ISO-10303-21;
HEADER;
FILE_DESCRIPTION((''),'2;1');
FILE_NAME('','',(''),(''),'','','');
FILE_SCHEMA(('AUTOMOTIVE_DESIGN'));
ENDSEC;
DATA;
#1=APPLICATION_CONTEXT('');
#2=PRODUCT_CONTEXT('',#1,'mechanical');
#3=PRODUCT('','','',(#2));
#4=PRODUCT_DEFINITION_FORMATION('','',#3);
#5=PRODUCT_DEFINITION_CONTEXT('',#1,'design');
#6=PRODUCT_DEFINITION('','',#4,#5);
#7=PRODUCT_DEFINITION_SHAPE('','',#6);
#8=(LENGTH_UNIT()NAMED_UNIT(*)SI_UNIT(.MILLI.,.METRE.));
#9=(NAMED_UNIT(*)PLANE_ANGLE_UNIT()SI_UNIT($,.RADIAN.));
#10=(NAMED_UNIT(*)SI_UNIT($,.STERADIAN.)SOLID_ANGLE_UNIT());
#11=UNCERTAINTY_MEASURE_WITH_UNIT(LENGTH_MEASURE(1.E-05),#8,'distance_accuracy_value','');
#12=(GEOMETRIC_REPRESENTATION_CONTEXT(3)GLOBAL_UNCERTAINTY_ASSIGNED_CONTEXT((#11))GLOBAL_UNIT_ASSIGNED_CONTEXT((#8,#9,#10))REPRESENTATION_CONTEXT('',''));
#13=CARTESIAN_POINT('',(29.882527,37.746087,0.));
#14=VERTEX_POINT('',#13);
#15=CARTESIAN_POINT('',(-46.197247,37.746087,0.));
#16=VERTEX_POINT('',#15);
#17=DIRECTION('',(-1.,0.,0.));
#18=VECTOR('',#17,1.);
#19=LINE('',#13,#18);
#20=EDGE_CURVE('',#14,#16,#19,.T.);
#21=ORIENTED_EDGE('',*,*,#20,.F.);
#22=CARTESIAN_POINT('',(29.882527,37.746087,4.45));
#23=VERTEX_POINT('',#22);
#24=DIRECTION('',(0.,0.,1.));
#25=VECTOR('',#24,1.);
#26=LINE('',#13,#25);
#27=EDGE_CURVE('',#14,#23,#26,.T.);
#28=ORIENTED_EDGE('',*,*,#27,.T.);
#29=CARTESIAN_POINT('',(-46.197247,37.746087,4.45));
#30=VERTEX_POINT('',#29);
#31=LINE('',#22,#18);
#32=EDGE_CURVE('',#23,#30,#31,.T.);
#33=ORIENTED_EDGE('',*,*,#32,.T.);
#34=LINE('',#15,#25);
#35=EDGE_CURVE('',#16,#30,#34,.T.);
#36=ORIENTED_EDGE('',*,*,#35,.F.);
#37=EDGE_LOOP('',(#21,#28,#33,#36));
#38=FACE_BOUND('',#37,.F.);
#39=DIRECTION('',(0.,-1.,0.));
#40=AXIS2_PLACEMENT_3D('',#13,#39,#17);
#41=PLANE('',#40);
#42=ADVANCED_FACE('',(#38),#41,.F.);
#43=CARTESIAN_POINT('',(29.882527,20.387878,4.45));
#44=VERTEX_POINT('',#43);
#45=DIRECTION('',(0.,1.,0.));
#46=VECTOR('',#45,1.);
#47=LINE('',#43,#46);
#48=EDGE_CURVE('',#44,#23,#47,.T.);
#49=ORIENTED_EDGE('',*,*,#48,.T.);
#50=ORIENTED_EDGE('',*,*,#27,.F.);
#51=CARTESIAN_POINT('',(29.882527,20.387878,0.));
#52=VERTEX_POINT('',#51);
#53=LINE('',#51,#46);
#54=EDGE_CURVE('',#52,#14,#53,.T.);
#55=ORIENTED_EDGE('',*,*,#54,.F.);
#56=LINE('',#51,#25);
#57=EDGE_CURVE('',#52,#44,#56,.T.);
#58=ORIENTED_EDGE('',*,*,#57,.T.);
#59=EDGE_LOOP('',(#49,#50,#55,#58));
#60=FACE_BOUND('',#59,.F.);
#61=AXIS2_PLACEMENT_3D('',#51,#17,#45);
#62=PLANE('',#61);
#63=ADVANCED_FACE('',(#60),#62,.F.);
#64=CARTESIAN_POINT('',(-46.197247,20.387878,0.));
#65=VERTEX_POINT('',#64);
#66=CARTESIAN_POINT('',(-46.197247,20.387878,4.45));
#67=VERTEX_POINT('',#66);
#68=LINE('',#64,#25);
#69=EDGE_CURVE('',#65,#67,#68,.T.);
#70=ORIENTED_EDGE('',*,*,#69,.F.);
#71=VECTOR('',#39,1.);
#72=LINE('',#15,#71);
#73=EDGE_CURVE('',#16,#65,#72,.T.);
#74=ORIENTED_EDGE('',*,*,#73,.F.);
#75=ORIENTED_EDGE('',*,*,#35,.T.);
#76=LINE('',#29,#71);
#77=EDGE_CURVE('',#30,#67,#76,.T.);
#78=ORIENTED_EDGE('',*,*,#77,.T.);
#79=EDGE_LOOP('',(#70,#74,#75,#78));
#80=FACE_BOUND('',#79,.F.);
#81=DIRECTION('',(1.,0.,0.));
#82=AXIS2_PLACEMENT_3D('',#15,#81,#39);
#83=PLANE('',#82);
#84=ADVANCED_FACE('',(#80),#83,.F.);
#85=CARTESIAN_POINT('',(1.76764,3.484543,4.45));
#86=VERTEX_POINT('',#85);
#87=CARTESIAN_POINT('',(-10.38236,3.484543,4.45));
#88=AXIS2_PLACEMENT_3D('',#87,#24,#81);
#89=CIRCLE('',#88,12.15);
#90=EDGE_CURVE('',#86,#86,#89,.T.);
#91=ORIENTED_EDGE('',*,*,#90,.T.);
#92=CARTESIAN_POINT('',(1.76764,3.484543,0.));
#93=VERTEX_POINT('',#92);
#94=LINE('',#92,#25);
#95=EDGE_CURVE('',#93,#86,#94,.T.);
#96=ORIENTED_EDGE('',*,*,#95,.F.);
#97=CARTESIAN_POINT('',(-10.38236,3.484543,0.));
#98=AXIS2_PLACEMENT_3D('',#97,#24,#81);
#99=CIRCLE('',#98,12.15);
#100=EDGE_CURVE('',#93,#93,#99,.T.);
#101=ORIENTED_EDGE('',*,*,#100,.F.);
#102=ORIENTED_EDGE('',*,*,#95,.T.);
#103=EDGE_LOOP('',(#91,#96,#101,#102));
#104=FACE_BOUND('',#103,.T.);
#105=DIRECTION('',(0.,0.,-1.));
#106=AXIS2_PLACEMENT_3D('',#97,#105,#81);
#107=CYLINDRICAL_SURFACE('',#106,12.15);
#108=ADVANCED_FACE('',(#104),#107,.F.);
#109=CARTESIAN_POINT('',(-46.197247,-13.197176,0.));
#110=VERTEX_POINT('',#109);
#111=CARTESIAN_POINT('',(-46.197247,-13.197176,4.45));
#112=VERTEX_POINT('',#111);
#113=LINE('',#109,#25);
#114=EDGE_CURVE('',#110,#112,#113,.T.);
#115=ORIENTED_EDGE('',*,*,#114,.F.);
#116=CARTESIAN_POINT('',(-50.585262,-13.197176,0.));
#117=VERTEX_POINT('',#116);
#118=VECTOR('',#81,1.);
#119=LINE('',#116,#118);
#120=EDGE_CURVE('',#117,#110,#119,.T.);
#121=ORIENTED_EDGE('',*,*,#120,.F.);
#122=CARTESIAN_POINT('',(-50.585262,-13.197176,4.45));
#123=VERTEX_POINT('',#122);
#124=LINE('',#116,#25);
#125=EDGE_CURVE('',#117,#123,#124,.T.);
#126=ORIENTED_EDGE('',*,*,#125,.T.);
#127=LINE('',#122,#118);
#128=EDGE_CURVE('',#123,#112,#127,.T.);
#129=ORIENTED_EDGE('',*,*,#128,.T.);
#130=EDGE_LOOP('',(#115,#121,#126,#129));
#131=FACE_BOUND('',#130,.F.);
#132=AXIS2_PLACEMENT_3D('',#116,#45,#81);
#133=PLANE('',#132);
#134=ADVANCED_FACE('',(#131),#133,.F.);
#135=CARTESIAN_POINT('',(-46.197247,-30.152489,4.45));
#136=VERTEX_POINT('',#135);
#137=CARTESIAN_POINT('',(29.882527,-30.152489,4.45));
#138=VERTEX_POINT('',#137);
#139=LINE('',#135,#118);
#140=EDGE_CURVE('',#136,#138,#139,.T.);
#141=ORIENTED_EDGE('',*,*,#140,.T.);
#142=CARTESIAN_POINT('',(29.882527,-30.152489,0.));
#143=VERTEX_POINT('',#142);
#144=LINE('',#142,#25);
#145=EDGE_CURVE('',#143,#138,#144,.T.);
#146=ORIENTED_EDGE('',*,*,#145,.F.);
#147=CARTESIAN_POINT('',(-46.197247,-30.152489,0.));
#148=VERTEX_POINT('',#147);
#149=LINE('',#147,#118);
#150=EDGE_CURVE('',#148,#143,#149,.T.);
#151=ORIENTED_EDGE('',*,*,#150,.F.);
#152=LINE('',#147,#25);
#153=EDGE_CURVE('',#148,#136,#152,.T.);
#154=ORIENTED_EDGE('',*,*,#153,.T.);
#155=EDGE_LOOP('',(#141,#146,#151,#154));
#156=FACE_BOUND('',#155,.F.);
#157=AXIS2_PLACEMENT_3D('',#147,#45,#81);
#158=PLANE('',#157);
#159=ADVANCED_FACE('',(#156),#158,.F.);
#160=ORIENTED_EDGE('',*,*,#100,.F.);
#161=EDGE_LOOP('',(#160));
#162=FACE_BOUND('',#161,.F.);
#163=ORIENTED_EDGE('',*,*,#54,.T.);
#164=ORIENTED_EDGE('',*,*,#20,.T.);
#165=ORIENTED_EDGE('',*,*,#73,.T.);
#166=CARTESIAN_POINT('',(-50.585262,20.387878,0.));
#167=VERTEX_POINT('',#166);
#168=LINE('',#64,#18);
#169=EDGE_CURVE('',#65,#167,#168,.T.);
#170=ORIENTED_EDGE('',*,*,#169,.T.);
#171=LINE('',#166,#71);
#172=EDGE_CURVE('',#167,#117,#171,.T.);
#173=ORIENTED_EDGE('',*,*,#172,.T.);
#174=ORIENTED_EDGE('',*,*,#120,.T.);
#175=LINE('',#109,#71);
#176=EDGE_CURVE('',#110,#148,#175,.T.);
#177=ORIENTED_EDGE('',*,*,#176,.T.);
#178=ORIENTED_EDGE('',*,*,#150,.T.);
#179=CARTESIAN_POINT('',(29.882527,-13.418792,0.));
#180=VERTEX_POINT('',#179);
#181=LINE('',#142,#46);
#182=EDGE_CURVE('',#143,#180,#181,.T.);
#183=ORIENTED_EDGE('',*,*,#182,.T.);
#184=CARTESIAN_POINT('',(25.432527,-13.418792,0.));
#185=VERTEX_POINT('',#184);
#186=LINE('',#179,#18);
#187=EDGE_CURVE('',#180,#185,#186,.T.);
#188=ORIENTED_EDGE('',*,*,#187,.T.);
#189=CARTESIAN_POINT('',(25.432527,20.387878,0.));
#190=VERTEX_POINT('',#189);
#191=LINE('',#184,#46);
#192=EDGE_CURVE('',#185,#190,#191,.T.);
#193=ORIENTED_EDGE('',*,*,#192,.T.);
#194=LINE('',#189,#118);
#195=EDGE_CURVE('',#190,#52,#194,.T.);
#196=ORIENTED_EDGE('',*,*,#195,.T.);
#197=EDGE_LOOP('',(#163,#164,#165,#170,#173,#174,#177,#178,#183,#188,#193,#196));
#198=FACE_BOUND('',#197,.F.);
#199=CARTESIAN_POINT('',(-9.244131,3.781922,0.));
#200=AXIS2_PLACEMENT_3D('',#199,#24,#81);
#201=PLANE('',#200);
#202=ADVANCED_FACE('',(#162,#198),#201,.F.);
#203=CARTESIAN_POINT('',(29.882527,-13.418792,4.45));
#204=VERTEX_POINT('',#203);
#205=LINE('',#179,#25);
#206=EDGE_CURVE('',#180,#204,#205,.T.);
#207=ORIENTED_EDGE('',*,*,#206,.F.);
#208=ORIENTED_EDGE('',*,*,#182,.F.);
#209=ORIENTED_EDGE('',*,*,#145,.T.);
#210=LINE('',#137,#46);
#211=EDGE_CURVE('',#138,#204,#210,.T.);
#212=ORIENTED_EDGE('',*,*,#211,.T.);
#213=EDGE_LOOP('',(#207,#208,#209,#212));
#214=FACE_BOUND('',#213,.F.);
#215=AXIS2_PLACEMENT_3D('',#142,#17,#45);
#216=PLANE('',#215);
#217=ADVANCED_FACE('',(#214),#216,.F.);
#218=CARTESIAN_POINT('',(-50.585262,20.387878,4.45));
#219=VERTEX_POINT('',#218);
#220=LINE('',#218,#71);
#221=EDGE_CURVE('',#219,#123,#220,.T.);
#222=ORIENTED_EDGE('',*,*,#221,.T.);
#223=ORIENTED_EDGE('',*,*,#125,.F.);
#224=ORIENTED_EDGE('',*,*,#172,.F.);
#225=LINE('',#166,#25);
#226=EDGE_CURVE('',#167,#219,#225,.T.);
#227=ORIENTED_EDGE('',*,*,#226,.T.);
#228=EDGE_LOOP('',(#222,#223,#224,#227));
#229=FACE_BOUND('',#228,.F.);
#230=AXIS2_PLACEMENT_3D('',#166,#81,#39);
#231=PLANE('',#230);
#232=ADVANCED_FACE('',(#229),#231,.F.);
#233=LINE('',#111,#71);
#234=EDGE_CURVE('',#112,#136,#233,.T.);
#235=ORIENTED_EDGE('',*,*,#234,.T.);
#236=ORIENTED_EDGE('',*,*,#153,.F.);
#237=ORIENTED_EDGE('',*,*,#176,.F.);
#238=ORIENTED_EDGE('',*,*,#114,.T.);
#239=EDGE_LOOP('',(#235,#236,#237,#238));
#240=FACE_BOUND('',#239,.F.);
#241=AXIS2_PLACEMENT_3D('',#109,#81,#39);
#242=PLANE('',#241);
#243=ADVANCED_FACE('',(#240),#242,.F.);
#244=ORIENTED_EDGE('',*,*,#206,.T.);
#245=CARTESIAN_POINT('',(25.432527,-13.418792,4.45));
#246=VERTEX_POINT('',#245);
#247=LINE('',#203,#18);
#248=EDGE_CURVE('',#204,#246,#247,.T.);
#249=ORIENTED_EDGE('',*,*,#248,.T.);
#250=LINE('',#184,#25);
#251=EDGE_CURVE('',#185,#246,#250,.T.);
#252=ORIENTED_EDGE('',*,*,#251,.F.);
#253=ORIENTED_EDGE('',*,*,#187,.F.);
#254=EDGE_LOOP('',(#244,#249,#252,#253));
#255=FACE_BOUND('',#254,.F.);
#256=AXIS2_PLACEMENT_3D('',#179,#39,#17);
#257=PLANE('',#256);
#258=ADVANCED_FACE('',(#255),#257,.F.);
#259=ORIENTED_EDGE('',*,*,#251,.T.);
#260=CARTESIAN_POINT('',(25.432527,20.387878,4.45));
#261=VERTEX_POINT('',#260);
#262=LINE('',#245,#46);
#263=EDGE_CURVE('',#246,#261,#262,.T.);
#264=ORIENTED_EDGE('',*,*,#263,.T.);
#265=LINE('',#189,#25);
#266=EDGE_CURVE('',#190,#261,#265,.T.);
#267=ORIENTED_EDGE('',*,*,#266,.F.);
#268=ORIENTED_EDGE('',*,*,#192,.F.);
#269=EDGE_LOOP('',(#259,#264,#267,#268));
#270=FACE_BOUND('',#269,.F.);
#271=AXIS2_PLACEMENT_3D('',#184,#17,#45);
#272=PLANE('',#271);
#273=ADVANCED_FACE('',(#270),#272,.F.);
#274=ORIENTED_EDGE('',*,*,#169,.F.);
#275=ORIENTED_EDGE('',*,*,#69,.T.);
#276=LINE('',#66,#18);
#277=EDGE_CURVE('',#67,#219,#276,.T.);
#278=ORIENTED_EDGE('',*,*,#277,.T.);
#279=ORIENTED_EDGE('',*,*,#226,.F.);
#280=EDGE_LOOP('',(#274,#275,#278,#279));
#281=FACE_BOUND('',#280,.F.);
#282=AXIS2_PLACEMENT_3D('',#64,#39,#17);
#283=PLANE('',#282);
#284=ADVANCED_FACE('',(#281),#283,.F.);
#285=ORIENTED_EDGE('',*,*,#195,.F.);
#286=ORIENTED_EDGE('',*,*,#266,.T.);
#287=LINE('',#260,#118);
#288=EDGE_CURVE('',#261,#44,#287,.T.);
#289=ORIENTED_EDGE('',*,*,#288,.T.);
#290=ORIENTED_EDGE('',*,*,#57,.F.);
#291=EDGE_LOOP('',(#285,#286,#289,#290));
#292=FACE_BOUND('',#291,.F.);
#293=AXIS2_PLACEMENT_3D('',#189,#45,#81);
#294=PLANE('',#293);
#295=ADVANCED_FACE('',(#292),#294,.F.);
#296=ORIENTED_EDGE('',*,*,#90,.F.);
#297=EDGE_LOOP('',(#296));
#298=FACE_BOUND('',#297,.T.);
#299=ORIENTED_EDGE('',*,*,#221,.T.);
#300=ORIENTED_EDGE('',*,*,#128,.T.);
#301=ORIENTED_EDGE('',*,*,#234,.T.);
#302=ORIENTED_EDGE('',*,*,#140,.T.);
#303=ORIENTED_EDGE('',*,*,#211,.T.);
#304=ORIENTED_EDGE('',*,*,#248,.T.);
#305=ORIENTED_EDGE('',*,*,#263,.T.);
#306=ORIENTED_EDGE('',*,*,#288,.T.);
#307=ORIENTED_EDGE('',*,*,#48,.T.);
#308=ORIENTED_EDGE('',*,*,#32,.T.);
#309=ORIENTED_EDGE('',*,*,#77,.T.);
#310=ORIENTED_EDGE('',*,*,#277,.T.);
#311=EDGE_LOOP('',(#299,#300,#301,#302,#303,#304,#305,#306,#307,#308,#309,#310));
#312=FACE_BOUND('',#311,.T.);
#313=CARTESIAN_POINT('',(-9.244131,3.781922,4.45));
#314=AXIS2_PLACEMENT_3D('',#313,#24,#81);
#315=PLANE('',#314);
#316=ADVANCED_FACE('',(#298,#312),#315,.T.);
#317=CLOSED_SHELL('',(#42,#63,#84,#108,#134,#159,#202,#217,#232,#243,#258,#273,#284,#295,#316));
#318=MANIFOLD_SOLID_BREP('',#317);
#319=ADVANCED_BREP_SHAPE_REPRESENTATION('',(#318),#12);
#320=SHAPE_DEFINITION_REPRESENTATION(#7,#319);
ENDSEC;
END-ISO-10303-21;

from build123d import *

# Parameters (mm, degrees)
F0_R     = 12.15
F1_DEPTH = 4.45


with BuildPart() as f1:
    # F0 (on Top) → F1 (new body)
    with BuildSketch(Plane.XY):
        Polygon((-46.197247, 20.387878), (-50.585262, 20.387878), (-50.585262, -13.197176), (-46.197247, -13.197176), (-46.197247, -30.152489), (25.432527, -30.152489), (29.882527, -30.152489), (29.882527, -13.418792), (25.432527, -13.418792), (25.432527, 20.387878), (29.882527, 20.387878), (29.882527, 37.746087), (25.432527, 37.746087), (-46.197247, 37.746087), align=None)
        with Locations((-10.38236, 3.484543)):
            Circle(F0_R, mode=Mode.SUBTRACT)
    extrude(amount=F1_DEPTH)


solid = f1.part
